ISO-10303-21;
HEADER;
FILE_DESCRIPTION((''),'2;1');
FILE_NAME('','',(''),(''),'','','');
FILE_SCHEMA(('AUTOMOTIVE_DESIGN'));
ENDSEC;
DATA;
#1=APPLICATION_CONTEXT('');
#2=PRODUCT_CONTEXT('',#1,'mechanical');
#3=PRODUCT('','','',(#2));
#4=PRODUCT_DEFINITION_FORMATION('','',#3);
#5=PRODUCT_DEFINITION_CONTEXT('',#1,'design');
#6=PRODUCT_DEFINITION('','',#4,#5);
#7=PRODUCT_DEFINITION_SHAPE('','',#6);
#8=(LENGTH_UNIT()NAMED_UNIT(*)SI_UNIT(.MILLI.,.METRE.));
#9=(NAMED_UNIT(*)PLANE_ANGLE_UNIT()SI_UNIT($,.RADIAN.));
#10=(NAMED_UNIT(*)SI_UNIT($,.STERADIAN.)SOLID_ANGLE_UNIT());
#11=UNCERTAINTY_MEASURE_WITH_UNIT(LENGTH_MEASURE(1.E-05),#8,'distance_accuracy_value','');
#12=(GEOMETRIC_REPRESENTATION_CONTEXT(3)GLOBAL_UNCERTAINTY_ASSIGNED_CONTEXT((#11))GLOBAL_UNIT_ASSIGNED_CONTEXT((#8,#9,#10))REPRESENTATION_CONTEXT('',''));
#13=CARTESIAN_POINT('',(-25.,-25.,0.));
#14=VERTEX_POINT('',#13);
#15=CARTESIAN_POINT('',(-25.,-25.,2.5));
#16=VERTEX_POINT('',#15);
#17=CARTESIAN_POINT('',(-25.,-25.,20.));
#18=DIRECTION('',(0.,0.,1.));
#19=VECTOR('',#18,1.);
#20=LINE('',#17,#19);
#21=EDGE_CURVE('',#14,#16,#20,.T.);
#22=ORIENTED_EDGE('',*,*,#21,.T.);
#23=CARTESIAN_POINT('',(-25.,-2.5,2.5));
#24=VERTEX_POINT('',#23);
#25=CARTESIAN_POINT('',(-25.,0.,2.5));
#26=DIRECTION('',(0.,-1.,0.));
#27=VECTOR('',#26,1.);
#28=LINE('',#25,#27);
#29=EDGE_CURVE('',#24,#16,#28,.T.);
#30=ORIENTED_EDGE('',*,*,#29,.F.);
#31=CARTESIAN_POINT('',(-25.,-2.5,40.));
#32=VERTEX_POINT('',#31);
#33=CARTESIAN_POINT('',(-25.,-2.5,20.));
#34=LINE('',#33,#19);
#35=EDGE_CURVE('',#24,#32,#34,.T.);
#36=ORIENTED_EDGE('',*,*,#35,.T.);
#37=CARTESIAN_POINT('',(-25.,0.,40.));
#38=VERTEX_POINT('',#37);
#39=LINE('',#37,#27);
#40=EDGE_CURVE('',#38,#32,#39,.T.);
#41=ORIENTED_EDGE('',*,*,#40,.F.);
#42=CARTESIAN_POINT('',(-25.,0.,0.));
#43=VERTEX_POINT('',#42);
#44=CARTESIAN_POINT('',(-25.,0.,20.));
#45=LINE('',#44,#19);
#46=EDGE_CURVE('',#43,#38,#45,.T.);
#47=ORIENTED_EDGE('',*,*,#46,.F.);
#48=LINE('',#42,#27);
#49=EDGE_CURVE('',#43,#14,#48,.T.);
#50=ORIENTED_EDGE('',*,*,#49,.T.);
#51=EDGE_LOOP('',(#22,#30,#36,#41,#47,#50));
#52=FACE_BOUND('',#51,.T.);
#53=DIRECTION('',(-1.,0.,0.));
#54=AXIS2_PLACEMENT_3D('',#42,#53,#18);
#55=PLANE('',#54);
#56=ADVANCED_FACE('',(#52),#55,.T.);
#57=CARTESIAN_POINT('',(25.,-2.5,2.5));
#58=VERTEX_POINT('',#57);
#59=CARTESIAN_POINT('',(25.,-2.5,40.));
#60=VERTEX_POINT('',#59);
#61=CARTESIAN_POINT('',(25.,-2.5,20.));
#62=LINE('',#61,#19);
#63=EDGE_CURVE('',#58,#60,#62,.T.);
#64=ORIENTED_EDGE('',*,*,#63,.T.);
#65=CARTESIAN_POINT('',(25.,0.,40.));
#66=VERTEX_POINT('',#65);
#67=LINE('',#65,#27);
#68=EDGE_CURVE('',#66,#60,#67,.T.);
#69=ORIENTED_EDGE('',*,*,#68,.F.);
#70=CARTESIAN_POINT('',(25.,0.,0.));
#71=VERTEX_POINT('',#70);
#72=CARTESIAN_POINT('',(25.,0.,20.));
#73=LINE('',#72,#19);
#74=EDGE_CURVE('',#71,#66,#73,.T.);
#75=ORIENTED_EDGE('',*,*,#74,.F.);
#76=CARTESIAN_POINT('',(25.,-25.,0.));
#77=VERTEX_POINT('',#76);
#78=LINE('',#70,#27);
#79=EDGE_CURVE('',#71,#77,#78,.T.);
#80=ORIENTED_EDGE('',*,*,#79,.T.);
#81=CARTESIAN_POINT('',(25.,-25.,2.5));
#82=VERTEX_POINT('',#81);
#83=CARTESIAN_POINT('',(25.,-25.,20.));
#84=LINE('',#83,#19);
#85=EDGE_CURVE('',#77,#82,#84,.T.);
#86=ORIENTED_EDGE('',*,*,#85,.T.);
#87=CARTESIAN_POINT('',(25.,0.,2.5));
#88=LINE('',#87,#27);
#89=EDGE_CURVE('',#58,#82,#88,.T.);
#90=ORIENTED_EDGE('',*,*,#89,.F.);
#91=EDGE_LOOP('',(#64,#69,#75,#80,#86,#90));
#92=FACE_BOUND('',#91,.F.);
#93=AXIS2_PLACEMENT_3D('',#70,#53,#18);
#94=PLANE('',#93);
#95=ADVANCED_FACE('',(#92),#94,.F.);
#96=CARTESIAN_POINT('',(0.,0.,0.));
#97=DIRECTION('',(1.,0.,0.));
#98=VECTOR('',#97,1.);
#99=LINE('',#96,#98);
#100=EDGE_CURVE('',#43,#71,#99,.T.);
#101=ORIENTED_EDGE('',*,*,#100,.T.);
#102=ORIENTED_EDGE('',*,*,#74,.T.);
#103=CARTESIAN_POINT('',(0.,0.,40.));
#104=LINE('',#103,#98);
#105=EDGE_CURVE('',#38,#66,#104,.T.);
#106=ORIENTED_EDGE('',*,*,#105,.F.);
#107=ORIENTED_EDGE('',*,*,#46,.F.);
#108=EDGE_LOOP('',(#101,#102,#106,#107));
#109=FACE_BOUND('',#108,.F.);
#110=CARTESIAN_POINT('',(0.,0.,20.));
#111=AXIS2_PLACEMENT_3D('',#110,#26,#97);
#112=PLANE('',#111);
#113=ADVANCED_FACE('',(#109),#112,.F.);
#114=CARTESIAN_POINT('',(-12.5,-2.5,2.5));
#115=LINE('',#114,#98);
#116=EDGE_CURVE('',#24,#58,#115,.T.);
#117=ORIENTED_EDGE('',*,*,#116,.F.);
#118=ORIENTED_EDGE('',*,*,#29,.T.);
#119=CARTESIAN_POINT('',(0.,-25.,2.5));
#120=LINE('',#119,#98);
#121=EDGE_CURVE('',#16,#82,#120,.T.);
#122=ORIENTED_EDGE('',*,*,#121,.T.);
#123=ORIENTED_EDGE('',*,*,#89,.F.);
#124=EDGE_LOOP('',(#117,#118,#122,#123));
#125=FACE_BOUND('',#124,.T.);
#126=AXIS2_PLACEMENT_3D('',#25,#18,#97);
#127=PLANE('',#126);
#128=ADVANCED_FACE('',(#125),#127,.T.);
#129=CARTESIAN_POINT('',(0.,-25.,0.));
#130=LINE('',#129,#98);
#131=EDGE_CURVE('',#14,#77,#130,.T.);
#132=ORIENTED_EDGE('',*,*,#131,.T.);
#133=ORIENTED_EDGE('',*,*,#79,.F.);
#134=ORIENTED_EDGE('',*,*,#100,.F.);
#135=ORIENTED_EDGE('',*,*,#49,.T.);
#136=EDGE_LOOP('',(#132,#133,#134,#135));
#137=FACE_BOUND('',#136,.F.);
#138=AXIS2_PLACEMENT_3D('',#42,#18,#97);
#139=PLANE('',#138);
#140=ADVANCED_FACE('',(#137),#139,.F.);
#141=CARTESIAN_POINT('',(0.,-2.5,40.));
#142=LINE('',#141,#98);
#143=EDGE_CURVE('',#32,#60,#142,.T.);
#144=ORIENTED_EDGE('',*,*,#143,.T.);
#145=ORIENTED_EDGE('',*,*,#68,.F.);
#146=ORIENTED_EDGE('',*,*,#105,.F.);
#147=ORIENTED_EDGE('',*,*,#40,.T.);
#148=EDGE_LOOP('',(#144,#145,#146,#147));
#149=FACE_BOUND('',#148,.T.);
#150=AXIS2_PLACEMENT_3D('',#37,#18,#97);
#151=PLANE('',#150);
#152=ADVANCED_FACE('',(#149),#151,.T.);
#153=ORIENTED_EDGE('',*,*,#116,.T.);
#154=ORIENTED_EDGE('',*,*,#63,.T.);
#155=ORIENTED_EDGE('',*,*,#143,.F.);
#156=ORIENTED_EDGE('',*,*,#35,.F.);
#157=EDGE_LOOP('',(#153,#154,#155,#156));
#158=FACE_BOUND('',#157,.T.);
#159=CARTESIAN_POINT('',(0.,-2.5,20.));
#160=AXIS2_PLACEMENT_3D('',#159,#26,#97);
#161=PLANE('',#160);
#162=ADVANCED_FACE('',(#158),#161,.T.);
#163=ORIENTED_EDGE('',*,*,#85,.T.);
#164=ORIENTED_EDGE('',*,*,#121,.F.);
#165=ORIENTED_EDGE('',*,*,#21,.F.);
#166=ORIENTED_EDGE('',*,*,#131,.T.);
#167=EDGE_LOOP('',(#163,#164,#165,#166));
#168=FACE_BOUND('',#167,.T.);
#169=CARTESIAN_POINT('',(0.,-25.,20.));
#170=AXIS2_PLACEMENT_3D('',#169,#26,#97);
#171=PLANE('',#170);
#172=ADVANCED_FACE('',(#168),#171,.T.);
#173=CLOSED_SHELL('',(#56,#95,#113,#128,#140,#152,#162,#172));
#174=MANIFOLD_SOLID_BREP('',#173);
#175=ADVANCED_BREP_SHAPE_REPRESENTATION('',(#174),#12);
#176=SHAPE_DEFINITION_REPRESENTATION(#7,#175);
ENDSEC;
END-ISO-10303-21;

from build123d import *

# Parameters (mm, degrees)
F0_W     = 50
F0_H     = 40
F1_DEPTH = 25
F2_T     = -2.5


with BuildPart() as f1:
    # F0 (on Front) → F1 (new body)
    with BuildSketch(Plane.XZ):
        with Locations((0, 20)):
            Rectangle(F0_W, F0_H)
    extrude(amount=F1_DEPTH)

    # F2
    f2_openings = [f1.faces().sort_by_distance(p)[0] for p in [
        (0, -12.5, 40),
        (0, -25, 20),
        (25, -12.5, 20),
        (-25, -12.5, 20),
    ]]
    offset(amount=F2_T, openings=f2_openings)


solid = f1.part
